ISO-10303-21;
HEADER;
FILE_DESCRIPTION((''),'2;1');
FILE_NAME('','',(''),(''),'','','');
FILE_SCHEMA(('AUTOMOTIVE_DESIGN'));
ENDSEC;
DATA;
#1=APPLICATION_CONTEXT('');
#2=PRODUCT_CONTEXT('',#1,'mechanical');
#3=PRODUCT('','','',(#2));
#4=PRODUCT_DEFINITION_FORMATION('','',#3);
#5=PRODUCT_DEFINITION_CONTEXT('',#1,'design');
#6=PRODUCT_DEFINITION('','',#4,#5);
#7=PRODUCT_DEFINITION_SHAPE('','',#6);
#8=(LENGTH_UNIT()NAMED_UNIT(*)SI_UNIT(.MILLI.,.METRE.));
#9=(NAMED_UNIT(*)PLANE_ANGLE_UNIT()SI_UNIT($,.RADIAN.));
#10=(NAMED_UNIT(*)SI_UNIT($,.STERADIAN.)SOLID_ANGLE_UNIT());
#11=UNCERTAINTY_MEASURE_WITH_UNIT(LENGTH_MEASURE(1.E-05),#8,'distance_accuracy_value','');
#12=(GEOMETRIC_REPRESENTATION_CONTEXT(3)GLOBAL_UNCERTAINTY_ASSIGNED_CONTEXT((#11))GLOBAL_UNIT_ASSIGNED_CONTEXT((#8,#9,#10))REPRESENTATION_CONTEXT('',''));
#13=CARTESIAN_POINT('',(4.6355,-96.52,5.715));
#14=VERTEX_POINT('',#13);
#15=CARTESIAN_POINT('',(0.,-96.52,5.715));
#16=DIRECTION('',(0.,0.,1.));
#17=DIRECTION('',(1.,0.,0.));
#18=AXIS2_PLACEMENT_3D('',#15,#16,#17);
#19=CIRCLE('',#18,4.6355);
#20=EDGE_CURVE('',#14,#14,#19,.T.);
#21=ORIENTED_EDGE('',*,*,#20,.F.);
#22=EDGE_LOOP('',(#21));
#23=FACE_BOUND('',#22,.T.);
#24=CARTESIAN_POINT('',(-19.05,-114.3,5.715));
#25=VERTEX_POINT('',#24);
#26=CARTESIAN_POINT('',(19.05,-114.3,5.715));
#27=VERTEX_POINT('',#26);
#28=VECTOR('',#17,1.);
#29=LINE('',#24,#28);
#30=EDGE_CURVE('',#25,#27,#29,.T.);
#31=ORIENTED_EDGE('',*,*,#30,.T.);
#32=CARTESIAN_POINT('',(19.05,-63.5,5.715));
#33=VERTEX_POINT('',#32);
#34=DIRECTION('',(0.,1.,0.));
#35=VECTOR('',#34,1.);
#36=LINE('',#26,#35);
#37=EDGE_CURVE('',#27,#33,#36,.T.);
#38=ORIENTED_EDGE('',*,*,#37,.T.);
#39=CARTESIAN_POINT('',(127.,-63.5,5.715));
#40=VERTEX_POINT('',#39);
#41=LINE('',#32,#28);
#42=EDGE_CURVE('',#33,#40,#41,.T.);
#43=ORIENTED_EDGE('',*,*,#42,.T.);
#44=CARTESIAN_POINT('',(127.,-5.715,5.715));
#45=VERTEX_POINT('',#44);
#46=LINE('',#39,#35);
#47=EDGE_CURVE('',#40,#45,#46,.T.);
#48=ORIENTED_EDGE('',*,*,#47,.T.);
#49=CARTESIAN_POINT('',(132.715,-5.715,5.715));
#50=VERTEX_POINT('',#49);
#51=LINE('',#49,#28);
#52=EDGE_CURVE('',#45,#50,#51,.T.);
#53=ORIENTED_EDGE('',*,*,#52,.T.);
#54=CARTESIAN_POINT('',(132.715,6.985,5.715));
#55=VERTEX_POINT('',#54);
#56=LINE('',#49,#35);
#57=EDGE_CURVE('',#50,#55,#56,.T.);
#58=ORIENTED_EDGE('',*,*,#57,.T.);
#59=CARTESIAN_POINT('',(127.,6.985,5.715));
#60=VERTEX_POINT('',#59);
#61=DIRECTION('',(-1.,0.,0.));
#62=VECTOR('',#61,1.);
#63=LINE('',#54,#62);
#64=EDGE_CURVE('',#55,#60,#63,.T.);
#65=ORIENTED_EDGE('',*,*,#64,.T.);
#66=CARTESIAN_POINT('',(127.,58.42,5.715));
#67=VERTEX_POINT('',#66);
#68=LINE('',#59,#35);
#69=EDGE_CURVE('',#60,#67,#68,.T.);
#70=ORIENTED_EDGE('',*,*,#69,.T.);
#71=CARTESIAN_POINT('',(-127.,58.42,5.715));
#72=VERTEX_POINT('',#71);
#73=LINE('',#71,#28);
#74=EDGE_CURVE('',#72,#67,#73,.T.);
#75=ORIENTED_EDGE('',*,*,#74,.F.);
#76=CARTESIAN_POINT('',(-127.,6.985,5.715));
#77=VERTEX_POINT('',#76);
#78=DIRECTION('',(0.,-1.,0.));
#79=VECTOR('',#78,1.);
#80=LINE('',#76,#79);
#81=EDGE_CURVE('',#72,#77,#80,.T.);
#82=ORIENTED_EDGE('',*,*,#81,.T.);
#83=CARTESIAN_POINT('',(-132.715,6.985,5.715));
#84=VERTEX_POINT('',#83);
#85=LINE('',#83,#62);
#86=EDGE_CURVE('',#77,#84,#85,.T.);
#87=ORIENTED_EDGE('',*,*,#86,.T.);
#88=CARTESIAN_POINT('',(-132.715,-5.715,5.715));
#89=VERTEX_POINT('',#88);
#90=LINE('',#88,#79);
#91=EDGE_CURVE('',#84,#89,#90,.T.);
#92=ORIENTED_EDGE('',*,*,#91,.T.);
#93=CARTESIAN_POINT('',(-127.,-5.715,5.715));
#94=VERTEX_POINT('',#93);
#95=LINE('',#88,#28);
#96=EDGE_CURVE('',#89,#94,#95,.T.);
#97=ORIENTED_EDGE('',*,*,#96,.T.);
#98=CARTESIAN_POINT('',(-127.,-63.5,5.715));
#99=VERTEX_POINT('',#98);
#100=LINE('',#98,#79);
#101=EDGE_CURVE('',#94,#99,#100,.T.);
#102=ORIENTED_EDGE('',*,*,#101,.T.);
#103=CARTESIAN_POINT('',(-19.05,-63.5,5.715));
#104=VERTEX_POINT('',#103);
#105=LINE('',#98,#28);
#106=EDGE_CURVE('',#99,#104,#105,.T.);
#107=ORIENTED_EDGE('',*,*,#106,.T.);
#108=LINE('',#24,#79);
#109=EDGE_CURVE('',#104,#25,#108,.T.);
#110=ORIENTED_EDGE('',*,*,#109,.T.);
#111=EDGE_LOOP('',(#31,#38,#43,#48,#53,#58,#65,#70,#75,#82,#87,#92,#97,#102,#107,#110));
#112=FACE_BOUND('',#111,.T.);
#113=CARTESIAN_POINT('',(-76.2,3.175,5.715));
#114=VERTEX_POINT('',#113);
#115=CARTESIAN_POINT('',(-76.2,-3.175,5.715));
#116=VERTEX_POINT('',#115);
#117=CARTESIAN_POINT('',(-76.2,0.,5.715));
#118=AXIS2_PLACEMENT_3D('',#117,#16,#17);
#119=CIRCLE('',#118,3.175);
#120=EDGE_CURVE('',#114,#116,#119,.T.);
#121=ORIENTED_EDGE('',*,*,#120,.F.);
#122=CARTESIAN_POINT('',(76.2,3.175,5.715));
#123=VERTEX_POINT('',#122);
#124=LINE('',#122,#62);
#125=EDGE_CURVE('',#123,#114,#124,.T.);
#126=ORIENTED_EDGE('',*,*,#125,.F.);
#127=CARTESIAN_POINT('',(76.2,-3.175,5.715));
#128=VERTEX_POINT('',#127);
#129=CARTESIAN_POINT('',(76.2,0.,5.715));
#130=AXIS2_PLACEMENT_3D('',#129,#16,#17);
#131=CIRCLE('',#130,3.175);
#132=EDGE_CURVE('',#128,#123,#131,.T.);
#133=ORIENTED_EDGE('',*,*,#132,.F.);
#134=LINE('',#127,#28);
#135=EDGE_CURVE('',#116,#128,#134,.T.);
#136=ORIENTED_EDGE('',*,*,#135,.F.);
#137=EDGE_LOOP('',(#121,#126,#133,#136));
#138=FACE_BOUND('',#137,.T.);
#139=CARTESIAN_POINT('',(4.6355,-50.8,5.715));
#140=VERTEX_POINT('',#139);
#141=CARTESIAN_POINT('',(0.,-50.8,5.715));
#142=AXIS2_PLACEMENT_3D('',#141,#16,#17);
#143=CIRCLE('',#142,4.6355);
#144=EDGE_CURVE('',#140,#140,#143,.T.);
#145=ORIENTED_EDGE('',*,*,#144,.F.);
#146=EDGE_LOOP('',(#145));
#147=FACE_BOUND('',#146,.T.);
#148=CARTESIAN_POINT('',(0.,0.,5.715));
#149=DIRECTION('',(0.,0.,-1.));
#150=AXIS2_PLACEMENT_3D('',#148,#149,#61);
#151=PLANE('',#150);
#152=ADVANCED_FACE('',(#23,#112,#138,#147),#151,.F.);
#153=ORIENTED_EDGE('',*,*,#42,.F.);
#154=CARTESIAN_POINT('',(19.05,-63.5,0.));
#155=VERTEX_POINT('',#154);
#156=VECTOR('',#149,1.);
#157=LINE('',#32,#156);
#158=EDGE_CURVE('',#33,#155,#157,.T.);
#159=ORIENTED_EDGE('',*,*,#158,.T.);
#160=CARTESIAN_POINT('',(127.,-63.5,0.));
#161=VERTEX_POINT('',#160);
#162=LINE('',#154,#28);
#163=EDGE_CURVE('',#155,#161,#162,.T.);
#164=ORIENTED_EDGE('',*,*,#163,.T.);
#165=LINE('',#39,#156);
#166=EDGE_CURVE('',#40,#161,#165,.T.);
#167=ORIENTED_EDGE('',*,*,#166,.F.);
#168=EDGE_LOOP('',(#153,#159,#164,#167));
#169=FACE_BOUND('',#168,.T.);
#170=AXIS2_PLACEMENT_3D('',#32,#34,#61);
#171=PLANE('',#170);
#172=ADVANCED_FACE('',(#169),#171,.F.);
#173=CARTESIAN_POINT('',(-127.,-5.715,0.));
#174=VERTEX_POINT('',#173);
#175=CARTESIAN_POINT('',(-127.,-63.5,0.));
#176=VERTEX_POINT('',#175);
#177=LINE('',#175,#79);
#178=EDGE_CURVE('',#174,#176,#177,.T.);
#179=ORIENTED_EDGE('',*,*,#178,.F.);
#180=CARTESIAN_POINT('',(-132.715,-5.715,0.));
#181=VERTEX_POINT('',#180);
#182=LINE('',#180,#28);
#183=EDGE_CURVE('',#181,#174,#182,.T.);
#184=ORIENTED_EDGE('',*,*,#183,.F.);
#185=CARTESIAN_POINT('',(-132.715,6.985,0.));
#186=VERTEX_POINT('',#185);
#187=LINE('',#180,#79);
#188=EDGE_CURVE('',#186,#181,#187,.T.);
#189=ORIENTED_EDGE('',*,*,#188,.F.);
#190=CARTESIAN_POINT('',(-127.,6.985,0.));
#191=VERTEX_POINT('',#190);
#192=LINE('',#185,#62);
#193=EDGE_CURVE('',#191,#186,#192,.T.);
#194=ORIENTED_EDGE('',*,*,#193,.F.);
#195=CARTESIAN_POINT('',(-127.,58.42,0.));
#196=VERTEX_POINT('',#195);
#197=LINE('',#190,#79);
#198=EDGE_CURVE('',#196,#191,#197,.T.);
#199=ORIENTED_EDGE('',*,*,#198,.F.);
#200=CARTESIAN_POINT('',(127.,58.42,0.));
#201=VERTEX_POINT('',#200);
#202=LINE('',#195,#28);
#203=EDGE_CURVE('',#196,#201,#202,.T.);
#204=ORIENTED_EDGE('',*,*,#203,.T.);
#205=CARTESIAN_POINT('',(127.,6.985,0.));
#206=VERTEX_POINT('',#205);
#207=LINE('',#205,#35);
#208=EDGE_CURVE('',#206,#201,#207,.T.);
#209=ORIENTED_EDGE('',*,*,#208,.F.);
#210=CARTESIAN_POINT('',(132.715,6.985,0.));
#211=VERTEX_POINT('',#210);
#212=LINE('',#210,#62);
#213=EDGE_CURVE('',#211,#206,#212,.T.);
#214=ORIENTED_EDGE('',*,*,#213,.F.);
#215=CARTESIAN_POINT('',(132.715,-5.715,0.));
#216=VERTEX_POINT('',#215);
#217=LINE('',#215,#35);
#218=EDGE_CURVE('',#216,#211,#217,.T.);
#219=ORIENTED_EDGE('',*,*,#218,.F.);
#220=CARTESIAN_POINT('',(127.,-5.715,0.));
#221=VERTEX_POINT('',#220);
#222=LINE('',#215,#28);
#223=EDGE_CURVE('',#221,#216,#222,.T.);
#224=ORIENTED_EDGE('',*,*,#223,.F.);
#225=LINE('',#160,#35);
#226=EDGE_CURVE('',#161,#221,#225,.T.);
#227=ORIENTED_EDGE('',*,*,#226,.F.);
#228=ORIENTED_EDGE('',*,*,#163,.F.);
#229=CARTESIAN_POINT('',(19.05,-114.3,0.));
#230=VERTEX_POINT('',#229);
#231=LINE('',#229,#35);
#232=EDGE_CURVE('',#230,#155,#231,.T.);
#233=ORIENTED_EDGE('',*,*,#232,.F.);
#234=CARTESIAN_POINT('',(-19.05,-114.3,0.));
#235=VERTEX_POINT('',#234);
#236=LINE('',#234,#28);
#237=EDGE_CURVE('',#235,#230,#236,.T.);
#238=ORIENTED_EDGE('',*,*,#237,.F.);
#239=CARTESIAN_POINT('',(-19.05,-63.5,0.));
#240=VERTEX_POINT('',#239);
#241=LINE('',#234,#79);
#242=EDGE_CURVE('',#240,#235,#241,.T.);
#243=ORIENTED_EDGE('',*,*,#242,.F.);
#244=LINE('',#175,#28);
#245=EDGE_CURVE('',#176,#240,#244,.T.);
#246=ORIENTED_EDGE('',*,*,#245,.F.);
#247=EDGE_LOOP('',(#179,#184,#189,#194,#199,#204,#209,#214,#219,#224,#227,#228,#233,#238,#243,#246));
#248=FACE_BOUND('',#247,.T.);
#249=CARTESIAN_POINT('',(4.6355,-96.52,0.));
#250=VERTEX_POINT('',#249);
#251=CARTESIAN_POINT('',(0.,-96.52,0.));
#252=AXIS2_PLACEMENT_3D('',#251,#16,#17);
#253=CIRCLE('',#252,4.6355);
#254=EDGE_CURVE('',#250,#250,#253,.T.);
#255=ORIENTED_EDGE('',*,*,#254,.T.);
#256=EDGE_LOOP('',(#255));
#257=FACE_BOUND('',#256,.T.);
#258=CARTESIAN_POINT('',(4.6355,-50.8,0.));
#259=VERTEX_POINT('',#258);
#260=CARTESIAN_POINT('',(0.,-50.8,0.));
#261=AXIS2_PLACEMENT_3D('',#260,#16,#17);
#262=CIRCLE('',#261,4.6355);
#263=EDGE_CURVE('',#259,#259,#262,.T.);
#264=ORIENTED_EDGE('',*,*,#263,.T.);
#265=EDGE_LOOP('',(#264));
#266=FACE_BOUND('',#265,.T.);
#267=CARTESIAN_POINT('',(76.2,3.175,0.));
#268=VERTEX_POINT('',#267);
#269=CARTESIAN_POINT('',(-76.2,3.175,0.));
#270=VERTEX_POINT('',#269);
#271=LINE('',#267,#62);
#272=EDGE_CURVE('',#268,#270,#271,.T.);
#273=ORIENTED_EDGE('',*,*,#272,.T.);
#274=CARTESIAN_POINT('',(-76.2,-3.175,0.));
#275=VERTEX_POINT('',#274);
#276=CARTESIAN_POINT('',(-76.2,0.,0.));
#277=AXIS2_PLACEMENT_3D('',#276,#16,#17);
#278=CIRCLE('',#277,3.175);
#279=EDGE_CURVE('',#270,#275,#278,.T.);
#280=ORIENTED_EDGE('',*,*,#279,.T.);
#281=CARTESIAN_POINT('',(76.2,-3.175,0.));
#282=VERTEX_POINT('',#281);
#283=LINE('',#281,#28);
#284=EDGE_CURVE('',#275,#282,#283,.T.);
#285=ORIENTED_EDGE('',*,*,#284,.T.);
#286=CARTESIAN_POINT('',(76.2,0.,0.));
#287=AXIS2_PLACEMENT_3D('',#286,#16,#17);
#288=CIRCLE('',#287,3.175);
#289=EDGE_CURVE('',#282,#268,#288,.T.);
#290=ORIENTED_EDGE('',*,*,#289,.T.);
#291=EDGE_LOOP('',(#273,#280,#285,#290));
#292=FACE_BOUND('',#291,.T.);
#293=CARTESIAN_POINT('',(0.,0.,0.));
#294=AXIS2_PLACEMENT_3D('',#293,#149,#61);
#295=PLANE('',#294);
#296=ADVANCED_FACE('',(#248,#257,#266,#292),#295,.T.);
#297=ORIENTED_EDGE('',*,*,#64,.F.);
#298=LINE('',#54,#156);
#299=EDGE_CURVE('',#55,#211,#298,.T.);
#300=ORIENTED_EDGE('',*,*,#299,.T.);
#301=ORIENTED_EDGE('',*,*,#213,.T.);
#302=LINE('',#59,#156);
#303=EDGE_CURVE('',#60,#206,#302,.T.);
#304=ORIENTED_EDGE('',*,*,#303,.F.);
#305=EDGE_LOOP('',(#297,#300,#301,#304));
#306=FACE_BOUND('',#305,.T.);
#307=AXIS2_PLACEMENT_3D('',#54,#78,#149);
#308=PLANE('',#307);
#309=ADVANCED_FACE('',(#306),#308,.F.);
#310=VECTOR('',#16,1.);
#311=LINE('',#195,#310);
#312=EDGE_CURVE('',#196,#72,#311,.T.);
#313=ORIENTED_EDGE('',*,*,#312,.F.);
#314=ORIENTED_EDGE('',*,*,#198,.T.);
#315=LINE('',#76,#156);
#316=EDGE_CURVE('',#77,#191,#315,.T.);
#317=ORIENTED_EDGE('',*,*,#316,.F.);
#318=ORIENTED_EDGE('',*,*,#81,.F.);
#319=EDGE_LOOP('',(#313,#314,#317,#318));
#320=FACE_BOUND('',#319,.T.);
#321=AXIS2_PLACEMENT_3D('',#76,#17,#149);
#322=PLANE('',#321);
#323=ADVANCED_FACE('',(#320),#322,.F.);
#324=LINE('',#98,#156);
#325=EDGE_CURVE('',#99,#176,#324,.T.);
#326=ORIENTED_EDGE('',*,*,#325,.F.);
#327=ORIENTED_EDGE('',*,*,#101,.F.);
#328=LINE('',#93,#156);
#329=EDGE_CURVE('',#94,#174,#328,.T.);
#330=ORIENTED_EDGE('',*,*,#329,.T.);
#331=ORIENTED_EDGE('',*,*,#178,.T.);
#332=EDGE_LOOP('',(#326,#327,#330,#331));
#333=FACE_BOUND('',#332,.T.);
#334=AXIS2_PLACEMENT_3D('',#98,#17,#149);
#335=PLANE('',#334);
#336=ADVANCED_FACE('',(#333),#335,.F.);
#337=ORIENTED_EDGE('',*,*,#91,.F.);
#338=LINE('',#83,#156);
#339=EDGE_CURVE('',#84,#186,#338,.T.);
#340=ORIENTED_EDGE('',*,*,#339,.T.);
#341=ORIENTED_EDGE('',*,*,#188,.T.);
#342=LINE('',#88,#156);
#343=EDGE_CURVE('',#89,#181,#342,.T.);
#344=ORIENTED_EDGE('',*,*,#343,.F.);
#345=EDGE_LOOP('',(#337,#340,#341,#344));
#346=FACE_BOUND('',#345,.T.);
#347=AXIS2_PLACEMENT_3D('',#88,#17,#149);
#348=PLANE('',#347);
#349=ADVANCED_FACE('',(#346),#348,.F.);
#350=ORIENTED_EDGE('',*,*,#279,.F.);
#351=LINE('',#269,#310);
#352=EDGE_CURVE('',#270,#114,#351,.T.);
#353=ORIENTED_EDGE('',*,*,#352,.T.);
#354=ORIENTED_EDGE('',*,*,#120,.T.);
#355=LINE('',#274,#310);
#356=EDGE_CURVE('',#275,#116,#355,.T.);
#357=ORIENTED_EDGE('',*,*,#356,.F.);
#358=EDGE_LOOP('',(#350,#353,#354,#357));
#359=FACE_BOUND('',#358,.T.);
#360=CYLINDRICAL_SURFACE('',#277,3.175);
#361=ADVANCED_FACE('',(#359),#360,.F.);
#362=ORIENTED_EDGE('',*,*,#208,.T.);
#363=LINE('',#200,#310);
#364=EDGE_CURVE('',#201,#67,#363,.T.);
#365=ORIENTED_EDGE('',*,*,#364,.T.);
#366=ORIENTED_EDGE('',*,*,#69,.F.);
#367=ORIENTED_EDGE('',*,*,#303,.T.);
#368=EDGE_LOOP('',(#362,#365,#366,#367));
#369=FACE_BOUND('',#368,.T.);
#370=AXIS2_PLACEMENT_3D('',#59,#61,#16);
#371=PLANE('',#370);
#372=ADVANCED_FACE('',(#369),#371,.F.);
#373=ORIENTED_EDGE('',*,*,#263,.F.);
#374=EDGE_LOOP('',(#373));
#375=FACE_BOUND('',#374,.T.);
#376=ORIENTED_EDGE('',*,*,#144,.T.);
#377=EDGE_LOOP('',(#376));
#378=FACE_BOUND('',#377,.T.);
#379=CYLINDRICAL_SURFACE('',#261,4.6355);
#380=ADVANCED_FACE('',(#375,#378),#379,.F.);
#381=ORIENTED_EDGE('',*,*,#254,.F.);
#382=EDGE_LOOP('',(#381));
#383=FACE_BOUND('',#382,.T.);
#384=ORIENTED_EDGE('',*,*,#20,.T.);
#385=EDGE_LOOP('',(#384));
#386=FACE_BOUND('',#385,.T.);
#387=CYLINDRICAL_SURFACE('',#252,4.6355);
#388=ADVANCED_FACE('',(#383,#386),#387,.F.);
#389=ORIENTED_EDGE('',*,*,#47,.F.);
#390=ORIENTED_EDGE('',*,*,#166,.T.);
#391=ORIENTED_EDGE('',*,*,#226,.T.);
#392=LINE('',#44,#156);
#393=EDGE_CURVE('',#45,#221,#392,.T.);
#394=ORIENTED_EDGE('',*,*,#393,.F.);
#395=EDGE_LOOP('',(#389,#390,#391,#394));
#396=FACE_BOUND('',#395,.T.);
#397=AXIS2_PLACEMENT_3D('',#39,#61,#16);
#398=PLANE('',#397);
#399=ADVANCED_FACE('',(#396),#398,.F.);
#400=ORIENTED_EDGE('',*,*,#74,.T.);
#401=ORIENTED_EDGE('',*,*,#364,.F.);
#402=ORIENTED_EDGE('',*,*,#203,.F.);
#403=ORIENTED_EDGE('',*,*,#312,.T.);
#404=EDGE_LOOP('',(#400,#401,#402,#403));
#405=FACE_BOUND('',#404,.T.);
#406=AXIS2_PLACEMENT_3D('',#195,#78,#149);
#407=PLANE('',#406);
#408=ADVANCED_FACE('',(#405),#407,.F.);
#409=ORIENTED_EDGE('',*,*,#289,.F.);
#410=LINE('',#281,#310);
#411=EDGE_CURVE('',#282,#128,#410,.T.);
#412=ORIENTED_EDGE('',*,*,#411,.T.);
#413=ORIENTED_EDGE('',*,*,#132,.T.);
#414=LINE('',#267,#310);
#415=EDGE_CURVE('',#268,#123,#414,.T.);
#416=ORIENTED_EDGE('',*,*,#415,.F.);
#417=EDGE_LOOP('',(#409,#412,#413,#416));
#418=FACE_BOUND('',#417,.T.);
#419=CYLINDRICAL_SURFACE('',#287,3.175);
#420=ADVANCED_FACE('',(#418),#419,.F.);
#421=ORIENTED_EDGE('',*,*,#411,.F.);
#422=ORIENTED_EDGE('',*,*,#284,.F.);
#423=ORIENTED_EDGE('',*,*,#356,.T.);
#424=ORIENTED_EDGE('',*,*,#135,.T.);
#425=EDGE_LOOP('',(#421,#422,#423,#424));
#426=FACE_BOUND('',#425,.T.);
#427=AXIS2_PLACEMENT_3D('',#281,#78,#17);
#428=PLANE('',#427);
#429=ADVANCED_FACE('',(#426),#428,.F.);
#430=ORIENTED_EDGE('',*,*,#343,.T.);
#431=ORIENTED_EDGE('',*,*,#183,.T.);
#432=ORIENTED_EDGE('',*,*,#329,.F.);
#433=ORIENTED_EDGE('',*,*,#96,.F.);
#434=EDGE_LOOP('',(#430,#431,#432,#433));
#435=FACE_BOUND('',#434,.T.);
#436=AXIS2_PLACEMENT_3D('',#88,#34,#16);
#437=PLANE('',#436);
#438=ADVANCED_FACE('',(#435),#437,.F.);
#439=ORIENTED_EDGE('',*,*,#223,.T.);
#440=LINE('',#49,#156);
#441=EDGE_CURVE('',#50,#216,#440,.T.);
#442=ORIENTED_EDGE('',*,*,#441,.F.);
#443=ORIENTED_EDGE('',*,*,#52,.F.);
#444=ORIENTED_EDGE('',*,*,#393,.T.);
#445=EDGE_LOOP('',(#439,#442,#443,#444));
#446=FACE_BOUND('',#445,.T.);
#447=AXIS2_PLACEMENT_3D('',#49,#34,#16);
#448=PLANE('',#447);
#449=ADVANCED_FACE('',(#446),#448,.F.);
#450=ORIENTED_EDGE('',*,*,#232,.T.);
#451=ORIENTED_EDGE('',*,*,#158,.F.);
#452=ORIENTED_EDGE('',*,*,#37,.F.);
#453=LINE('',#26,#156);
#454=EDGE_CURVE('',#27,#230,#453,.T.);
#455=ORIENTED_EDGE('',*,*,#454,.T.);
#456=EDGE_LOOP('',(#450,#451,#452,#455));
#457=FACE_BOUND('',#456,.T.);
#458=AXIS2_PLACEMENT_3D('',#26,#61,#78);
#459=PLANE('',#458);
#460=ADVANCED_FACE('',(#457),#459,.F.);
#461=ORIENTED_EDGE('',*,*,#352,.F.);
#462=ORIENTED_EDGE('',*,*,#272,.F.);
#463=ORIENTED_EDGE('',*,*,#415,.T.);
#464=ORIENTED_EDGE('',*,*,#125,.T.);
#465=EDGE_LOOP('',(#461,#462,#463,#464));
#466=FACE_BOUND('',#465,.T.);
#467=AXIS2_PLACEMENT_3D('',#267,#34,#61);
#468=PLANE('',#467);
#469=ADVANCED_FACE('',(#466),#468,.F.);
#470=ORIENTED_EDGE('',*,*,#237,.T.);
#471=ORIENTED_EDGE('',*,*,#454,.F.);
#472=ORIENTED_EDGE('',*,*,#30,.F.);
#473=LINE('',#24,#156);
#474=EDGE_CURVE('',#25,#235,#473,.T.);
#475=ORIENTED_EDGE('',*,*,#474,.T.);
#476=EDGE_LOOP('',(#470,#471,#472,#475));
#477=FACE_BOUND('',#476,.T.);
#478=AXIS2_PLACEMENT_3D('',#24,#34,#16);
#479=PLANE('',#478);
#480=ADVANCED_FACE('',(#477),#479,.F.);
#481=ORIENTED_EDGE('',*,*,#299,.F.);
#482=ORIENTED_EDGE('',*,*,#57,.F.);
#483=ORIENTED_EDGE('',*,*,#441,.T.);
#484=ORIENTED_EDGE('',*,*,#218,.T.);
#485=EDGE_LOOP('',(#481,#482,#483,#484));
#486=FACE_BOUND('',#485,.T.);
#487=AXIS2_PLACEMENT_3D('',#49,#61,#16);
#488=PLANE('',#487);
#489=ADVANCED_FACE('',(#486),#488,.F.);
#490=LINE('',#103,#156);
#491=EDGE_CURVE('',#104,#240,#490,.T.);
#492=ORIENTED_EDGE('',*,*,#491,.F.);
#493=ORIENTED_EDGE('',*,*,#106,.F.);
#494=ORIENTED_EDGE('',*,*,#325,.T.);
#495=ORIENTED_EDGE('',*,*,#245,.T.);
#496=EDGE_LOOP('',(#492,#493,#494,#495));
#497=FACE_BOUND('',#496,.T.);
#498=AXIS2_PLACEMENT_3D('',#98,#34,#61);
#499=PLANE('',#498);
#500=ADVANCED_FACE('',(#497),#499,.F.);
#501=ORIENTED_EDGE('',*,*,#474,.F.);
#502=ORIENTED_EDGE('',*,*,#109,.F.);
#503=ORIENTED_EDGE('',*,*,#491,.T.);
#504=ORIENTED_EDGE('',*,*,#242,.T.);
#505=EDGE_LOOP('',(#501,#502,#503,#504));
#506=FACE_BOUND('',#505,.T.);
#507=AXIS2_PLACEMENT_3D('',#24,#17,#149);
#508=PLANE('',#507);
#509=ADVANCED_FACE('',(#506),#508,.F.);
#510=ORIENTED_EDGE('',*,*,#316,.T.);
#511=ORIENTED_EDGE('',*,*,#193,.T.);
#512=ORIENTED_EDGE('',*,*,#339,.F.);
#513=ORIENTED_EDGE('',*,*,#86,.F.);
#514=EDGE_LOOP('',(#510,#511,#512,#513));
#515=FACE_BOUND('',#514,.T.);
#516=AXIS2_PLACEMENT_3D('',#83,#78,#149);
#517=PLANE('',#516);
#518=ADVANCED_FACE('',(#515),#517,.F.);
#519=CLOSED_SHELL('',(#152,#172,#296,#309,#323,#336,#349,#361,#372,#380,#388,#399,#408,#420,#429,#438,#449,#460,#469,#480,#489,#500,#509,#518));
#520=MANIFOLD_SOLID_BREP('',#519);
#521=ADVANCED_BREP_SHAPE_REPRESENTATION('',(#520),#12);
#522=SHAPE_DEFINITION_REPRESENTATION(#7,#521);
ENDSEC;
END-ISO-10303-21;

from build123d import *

# Parameters (mm, degrees)
BOSS_EXTRUDE1_DEPTH     = 5.715
CUT_EXTRUDE1_DEPTH      = 6.715
SKETCH4_R               = 4.6355
CUT_EXTRUDE2_DEPTH      = 1
CUT_EXTRUDE2_DEPTH_BACK = 6.715
SKETCH5_W               = 254
SKETCH5_H               = 5.08
CUT_EXTRUDE3_DEPTH      = 6.715
SKETCH6_R               = 4.6355
CUT_EXTRUDE4_DEPTH      = 6.715


with BuildPart() as part:
    # Sketch1 → Boss-Extrude1 (new body)
    with BuildSketch(Plane.XY):
        Polygon((19.05, -63.5), (127, -63.5), (127, -5.715), (132.715, -5.715), (132.715, 6.985), (127, 6.985), (127, 63.5), (-127, 63.5), (-127, 6.985), (-132.715, 6.985), (-132.715, -5.715), (-127, -5.715), (-127, -63.5), (-19.05, -63.5), (-19.05, -114.3), (19.05, -114.3), align=None)
    extrude(amount=BOSS_EXTRUDE1_DEPTH)

    # Sketch2 → Cut-Extrude1 (cut, through all)
    with BuildSketch(Plane.XY.offset(5.715)):
        with BuildLine():
            Line((76.2, -3.175), (-76.2, -3.175))
            ThreePointArc((-76.2, -3.175), (-79.375, 0), (-76.2, 3.175))
            Line((-76.2, 3.175), (76.2, 3.175))
            ThreePointArc((76.2, 3.175), (79.375, 0), (76.2, -3.175))
        make_face()
    extrude(amount=-CUT_EXTRUDE1_DEPTH, mode=Mode.SUBTRACT)

    # Sketch4 → Cut-Extrude2 (cut, two sides)
    with BuildSketch(Plane.XY.offset(5.715)) as cut_extrude2_sk:
        with Locations((0, -50.8)):
            Circle(SKETCH4_R)
    extrude(amount=CUT_EXTRUDE2_DEPTH, mode=Mode.SUBTRACT)
    extrude(cut_extrude2_sk.sketch, amount=-CUT_EXTRUDE2_DEPTH_BACK, mode=Mode.SUBTRACT)

    # Sketch5 → Cut-Extrude3 (cut, through all)
    with BuildSketch(Plane.XY.offset(5.715)):
        with Locations((0, 60.96)):
            Rectangle(SKETCH5_W, SKETCH5_H)
    extrude(amount=-CUT_EXTRUDE3_DEPTH, mode=Mode.SUBTRACT)

    # Sketch6 → Cut-Extrude4 (cut, through all)
    with BuildSketch(Plane.XY.offset(5.715)):
        with Locations((0, -96.52)):
            Circle(SKETCH6_R)
    extrude(amount=-CUT_EXTRUDE4_DEPTH, mode=Mode.SUBTRACT)


solid = part.part
